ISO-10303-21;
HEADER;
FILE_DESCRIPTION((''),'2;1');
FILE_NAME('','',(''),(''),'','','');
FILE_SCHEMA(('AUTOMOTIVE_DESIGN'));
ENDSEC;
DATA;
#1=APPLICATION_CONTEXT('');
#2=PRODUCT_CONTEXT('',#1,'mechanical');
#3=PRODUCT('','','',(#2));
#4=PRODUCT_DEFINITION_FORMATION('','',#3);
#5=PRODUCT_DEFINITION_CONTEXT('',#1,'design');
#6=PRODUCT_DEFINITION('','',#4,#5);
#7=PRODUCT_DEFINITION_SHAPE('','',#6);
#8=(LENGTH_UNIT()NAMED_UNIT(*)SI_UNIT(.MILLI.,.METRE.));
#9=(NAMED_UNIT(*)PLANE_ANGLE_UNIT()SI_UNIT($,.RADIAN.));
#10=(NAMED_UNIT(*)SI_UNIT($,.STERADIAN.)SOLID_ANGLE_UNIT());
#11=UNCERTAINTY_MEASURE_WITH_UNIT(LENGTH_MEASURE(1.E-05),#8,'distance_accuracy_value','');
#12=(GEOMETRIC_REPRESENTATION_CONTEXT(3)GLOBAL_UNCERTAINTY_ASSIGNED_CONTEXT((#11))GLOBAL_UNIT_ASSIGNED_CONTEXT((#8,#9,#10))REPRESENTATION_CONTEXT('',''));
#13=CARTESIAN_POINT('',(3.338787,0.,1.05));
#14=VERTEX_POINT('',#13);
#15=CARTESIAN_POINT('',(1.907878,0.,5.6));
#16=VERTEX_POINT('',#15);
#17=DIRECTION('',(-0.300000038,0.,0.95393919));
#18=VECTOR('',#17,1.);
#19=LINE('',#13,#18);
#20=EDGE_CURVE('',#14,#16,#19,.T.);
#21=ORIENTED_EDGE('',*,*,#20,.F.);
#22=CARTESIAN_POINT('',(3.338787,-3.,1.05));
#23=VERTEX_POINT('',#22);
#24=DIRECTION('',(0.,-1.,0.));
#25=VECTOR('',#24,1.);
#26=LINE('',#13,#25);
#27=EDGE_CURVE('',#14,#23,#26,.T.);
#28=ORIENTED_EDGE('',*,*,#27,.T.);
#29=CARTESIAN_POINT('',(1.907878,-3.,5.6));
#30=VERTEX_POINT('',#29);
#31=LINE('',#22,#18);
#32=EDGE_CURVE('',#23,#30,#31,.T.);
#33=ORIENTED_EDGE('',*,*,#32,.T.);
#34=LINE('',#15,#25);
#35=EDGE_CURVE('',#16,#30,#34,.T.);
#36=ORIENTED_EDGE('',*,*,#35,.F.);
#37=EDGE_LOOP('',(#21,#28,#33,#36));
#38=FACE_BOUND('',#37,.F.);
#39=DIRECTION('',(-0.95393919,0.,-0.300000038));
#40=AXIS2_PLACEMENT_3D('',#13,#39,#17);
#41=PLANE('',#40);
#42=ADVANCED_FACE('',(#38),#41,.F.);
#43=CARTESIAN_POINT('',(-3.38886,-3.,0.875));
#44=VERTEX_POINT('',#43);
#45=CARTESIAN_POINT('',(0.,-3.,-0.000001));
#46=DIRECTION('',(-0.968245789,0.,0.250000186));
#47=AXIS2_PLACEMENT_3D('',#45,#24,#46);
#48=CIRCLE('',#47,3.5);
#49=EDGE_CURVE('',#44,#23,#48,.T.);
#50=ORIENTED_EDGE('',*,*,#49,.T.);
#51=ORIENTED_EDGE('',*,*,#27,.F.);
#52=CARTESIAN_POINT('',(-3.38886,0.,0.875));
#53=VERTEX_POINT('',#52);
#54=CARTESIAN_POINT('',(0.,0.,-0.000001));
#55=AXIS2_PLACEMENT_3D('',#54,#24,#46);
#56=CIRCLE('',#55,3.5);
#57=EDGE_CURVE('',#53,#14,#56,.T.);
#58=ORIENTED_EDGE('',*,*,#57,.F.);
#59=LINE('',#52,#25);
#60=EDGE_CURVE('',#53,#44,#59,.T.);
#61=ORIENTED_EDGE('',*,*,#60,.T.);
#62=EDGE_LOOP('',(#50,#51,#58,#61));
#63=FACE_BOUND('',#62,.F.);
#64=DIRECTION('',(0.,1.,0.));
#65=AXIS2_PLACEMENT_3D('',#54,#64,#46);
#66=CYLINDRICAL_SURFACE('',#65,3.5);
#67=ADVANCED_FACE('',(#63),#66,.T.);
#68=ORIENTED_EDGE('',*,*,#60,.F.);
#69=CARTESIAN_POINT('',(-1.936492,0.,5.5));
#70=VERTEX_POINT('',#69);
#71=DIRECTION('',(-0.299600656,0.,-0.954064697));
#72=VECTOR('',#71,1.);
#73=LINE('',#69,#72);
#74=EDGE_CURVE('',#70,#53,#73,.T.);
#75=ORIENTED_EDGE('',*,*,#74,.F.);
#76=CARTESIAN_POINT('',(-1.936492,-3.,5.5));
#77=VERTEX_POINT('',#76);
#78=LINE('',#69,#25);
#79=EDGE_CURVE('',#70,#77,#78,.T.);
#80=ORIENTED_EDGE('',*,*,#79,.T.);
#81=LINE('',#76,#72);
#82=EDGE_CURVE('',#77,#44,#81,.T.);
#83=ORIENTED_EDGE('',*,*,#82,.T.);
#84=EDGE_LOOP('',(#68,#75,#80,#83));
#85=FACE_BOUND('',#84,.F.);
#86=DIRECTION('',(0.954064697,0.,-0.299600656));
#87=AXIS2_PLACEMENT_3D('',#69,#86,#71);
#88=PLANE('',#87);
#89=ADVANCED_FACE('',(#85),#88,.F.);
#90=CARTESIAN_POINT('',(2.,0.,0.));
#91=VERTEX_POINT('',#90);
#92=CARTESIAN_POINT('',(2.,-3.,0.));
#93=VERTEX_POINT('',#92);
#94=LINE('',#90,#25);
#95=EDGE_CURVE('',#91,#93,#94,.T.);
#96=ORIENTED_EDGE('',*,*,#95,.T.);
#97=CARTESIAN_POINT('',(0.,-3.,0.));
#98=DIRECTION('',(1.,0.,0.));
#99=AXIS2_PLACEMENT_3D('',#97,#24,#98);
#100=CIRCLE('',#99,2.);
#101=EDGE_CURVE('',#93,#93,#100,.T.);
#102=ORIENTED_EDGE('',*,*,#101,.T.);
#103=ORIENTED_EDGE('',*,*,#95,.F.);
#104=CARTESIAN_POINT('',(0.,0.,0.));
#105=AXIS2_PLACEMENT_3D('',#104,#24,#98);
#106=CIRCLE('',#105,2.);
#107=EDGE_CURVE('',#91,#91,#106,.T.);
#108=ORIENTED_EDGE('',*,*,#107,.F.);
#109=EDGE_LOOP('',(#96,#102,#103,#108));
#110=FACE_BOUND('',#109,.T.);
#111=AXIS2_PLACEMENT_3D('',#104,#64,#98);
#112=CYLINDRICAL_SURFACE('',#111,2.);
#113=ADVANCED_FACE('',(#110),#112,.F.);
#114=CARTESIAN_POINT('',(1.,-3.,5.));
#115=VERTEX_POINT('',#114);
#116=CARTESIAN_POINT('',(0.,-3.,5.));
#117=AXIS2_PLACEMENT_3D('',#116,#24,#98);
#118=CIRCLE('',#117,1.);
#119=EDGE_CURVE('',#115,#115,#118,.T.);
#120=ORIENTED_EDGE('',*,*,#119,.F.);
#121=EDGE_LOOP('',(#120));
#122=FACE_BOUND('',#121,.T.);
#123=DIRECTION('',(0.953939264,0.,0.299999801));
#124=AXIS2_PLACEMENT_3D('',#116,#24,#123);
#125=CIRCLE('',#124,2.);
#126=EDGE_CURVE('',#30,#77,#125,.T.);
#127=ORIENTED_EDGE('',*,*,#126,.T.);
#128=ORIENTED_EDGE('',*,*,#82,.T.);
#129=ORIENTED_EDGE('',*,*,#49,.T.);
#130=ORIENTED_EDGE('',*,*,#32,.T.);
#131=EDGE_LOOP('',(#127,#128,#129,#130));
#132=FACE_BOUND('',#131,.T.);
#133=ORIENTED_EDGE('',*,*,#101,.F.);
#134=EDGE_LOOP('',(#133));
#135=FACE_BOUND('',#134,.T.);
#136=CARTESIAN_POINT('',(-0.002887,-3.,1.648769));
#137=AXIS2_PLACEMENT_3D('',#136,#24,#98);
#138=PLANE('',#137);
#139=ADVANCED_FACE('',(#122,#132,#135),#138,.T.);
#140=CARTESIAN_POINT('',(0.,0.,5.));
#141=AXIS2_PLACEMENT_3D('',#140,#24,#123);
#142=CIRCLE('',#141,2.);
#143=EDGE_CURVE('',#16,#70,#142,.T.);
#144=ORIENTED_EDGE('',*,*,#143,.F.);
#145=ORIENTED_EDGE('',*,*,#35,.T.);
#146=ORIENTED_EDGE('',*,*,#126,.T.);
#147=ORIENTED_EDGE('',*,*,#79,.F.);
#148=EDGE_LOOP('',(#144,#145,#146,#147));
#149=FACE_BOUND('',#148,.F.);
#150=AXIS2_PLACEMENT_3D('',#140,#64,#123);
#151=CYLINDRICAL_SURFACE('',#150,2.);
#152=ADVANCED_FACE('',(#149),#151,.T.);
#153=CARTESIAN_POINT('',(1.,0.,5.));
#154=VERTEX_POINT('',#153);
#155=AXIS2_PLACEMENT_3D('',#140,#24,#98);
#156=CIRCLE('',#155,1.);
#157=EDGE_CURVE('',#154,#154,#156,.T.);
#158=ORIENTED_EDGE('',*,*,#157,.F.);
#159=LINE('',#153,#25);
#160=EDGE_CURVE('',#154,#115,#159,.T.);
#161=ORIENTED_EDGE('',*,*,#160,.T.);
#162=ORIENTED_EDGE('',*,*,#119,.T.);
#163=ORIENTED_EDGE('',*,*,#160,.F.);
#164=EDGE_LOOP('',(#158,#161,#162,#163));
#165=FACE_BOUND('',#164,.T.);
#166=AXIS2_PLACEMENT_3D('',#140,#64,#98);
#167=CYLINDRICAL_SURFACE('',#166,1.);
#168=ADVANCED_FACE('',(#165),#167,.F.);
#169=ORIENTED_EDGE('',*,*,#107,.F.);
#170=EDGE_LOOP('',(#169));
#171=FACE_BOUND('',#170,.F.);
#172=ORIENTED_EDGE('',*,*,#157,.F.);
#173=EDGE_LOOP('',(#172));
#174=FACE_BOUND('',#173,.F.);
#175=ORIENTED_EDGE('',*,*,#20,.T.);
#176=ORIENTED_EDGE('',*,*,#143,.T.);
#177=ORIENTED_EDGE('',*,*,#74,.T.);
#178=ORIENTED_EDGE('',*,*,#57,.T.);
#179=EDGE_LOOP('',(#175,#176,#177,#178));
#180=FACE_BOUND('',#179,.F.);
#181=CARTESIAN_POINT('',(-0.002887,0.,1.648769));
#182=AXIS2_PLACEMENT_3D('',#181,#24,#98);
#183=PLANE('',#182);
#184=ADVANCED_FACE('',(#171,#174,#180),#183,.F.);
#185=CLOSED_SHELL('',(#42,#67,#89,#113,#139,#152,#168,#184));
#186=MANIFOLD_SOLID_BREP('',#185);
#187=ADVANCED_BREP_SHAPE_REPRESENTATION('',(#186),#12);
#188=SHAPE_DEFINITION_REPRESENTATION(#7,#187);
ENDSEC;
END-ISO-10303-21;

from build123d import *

# Parameters (mm, degrees)
F0_R     = 2
F0_R_2   = 1
F1_DEPTH = 3


with BuildPart() as f1:
    # F0 (on Front) → F1 (new body)
    with BuildSketch(Plane.XZ):
        with BuildLine():
            Line((3.338787, 1.05), (1.907878, 5.6))
            ThreePointArc((1.907878, 5.6), (-0.052007, 6.999324), (-1.936492, 5.5))
            Line((-1.936492, 5.5), (-3.38886, 0.875))
            ThreePointArc((-3.38886, 0.875), (0.091011, -3.498817), (3.338787, 1.05))
        make_face()
        Circle(F0_R, mode=Mode.SUBTRACT)
        with Locations((0, 5)):
            Circle(F0_R_2, mode=Mode.SUBTRACT)
    extrude(amount=F1_DEPTH)


solid = f1.part
